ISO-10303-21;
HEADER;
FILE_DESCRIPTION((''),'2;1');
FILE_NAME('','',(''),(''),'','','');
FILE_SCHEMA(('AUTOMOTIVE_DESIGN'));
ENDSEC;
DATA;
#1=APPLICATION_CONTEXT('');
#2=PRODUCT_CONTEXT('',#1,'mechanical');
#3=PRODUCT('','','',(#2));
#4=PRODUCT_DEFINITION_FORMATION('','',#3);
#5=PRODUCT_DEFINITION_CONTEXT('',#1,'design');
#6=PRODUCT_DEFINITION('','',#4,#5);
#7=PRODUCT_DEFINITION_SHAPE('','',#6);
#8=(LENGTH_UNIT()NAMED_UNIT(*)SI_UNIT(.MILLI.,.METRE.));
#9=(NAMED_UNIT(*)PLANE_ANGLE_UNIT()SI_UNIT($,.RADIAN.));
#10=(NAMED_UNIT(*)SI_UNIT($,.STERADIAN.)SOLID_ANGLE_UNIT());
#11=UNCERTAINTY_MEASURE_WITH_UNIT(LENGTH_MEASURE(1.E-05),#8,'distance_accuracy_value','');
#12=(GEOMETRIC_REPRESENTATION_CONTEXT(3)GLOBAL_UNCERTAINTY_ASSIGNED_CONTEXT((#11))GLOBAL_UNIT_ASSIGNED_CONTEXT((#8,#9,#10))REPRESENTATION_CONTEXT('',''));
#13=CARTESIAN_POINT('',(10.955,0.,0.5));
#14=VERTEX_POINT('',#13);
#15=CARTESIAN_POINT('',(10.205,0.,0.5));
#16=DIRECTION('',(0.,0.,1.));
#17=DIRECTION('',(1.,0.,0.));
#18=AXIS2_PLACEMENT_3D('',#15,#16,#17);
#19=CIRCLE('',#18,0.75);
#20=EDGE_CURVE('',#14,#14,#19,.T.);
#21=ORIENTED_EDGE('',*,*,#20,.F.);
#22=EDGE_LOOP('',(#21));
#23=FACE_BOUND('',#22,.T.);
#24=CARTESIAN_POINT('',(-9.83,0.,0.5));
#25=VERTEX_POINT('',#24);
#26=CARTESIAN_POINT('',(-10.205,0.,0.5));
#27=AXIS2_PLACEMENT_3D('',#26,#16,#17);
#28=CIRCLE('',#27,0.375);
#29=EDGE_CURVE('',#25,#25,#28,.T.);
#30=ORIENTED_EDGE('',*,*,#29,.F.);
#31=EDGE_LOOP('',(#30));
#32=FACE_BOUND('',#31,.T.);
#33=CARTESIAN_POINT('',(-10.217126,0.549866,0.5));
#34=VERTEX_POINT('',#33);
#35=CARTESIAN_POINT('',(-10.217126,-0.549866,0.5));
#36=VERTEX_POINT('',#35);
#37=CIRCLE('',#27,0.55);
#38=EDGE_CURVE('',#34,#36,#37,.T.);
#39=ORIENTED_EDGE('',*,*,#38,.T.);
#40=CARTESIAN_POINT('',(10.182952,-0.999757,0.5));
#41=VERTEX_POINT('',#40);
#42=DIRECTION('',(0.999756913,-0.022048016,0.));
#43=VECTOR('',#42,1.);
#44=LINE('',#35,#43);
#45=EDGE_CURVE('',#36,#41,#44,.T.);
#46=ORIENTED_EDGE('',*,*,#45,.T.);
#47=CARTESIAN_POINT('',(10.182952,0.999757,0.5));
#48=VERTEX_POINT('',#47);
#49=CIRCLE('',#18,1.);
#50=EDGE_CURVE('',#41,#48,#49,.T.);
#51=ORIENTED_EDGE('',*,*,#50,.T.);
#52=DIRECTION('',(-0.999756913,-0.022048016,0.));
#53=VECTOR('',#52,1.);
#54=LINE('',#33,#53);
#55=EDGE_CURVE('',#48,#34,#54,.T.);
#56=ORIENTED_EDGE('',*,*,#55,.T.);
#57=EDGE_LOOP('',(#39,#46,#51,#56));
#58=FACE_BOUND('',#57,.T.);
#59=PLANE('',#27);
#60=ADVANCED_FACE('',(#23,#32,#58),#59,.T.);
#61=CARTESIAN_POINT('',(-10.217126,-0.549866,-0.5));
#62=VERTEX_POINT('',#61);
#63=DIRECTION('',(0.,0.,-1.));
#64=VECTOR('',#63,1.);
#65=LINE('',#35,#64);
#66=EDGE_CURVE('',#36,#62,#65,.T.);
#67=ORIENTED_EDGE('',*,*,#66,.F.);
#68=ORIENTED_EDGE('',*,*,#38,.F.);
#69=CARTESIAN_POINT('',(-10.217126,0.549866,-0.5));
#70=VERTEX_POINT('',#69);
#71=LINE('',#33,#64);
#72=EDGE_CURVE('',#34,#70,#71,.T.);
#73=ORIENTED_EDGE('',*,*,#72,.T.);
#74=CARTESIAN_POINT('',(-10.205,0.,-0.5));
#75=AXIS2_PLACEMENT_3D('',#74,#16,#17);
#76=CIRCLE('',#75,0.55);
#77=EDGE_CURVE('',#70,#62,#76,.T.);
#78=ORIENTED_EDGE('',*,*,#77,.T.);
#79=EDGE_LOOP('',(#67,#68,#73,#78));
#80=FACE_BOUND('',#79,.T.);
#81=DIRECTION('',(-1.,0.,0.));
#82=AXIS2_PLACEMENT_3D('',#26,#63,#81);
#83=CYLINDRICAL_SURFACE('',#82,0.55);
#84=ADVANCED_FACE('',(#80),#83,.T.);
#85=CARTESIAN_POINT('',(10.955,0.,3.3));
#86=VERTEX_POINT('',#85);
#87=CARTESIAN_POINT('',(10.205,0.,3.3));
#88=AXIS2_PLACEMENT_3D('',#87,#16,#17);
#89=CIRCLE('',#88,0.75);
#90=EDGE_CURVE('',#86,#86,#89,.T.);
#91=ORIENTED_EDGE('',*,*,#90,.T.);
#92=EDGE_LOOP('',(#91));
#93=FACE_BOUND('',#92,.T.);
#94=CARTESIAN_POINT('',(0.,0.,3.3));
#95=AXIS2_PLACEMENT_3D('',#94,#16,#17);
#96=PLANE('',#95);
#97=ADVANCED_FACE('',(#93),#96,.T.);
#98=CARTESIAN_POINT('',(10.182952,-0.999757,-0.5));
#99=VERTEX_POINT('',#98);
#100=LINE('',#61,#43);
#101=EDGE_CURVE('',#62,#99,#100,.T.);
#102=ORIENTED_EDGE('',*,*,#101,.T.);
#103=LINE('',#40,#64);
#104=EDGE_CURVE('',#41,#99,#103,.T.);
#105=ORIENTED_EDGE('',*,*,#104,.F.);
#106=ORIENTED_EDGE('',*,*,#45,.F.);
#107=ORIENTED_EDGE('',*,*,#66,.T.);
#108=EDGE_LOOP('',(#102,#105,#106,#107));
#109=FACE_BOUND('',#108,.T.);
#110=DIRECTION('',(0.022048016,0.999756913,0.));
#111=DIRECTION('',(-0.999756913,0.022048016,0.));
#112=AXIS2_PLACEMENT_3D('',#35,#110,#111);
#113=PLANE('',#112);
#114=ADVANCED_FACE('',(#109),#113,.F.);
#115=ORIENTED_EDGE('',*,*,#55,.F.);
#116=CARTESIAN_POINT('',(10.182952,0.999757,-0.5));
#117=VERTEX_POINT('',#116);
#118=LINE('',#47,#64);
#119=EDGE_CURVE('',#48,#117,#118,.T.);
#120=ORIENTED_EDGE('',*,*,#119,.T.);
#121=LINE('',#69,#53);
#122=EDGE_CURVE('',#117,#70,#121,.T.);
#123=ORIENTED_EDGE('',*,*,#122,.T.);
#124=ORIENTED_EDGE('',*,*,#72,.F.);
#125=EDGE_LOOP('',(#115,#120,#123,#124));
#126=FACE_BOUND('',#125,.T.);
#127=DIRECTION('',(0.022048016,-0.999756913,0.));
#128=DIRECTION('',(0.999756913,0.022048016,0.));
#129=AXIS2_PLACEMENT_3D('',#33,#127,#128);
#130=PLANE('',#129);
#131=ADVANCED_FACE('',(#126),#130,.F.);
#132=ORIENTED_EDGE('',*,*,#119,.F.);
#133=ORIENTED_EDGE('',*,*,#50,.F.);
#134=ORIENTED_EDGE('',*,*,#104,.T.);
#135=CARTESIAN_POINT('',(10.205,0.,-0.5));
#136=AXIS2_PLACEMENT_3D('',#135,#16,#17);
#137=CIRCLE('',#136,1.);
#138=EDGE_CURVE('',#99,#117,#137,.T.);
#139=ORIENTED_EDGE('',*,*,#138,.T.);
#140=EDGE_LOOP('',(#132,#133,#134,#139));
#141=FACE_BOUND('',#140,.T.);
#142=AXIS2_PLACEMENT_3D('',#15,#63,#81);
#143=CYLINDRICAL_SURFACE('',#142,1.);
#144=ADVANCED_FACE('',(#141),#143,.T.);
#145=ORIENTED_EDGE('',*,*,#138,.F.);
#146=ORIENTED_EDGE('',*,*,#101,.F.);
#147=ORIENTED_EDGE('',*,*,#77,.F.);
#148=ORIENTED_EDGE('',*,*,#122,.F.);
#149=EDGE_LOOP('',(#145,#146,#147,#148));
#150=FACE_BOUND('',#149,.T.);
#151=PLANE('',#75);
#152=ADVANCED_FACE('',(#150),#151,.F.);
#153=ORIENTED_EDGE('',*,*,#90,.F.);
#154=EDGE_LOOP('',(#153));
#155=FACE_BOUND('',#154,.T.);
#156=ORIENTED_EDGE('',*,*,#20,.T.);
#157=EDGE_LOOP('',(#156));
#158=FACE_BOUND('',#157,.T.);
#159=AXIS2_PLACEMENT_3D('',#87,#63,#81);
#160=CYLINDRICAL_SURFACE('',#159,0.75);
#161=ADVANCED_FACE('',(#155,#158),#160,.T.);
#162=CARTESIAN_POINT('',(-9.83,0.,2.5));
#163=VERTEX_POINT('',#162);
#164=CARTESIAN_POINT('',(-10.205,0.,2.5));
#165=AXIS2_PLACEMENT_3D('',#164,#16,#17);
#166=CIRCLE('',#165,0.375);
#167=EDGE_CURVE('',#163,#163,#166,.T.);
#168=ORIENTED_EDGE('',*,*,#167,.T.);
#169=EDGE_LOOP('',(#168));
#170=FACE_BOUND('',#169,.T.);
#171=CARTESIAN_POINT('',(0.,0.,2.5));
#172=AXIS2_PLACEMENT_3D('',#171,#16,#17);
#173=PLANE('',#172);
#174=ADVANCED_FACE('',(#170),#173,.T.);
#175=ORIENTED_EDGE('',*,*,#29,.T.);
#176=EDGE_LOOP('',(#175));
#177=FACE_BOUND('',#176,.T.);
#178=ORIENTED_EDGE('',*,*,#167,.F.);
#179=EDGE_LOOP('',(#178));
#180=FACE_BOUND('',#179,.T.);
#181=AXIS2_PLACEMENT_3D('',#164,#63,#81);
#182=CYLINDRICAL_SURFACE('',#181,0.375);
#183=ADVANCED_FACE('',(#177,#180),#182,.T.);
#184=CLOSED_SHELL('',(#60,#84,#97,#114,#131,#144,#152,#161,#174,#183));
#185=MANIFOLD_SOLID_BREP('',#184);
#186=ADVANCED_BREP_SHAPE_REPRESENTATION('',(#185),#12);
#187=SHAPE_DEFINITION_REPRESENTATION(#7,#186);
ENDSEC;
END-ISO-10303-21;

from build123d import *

# Parameters (mm, degrees)
SKETCH1_R           = 0.375
SKETCH1_R_2         = 0.75
BOSS_EXTRUDE1_DEPTH = 0.5
SKETCH1_2_R         = 0.375
BOSS_EXTRUDE2_DEPTH = 2.5
SKETCH1_3_R         = 0.75
BOSS_EXTRUDE3_DEPTH = 3.3
SKETCH2_R           = 0.375
SKETCH2_R_2         = 0.75
BOSS_EXTRUDE4_DEPTH = 0.5


with BuildPart() as part:
    # Sketch1 → Boss-Extrude1 (new body, symmetric)
    with BuildSketch(Plane.XY):
        with BuildLine():
            Line((-10.217126409, 0.549866302), (10.182951984, 0.999756913))
            ThreePointArc((10.182951984, 0.999756913), (11.205, 0), (10.182951984, -0.999756913))
            Line((10.182951984, -0.999756913), (-10.217126409, -0.549866302))
            ThreePointArc((-10.217126409, -0.549866302), (-10.755, 0), (-10.217126409, 0.549866302))
        make_face()
        with Locations((-10.205, 0)):
            Circle(SKETCH1_R, mode=Mode.SUBTRACT)
        with Locations((10.205, 0)):
            Circle(SKETCH1_R_2, mode=Mode.SUBTRACT)
    extrude(amount=BOSS_EXTRUDE1_DEPTH, both=True)

    # Sketch1<2> → Boss-Extrude2 (add)
    with BuildSketch(Plane.XY):
        with Locations((-10.205, 0)):
            Circle(SKETCH1_2_R)
    extrude(amount=BOSS_EXTRUDE2_DEPTH)

    # Sketch1<3> → Boss-Extrude3 (add)
    with BuildSketch(Plane.XY):
        with Locations((10.205, 0)):
            Circle(SKETCH1_3_R)
    extrude(amount=BOSS_EXTRUDE3_DEPTH)

    # Sketch2 → Boss-Extrude4 (add)
    with BuildSketch(Plane(origin=(0, 0, 0), x_dir=(-1, 0, 0), z_dir=(0, 0, -1))):
        with Locations((10.205, 0)):
            Circle(SKETCH2_R)
        with Locations((-10.205, 0)):
            Circle(SKETCH2_R_2)
    extrude(amount=BOSS_EXTRUDE4_DEPTH)


solid = part.part
